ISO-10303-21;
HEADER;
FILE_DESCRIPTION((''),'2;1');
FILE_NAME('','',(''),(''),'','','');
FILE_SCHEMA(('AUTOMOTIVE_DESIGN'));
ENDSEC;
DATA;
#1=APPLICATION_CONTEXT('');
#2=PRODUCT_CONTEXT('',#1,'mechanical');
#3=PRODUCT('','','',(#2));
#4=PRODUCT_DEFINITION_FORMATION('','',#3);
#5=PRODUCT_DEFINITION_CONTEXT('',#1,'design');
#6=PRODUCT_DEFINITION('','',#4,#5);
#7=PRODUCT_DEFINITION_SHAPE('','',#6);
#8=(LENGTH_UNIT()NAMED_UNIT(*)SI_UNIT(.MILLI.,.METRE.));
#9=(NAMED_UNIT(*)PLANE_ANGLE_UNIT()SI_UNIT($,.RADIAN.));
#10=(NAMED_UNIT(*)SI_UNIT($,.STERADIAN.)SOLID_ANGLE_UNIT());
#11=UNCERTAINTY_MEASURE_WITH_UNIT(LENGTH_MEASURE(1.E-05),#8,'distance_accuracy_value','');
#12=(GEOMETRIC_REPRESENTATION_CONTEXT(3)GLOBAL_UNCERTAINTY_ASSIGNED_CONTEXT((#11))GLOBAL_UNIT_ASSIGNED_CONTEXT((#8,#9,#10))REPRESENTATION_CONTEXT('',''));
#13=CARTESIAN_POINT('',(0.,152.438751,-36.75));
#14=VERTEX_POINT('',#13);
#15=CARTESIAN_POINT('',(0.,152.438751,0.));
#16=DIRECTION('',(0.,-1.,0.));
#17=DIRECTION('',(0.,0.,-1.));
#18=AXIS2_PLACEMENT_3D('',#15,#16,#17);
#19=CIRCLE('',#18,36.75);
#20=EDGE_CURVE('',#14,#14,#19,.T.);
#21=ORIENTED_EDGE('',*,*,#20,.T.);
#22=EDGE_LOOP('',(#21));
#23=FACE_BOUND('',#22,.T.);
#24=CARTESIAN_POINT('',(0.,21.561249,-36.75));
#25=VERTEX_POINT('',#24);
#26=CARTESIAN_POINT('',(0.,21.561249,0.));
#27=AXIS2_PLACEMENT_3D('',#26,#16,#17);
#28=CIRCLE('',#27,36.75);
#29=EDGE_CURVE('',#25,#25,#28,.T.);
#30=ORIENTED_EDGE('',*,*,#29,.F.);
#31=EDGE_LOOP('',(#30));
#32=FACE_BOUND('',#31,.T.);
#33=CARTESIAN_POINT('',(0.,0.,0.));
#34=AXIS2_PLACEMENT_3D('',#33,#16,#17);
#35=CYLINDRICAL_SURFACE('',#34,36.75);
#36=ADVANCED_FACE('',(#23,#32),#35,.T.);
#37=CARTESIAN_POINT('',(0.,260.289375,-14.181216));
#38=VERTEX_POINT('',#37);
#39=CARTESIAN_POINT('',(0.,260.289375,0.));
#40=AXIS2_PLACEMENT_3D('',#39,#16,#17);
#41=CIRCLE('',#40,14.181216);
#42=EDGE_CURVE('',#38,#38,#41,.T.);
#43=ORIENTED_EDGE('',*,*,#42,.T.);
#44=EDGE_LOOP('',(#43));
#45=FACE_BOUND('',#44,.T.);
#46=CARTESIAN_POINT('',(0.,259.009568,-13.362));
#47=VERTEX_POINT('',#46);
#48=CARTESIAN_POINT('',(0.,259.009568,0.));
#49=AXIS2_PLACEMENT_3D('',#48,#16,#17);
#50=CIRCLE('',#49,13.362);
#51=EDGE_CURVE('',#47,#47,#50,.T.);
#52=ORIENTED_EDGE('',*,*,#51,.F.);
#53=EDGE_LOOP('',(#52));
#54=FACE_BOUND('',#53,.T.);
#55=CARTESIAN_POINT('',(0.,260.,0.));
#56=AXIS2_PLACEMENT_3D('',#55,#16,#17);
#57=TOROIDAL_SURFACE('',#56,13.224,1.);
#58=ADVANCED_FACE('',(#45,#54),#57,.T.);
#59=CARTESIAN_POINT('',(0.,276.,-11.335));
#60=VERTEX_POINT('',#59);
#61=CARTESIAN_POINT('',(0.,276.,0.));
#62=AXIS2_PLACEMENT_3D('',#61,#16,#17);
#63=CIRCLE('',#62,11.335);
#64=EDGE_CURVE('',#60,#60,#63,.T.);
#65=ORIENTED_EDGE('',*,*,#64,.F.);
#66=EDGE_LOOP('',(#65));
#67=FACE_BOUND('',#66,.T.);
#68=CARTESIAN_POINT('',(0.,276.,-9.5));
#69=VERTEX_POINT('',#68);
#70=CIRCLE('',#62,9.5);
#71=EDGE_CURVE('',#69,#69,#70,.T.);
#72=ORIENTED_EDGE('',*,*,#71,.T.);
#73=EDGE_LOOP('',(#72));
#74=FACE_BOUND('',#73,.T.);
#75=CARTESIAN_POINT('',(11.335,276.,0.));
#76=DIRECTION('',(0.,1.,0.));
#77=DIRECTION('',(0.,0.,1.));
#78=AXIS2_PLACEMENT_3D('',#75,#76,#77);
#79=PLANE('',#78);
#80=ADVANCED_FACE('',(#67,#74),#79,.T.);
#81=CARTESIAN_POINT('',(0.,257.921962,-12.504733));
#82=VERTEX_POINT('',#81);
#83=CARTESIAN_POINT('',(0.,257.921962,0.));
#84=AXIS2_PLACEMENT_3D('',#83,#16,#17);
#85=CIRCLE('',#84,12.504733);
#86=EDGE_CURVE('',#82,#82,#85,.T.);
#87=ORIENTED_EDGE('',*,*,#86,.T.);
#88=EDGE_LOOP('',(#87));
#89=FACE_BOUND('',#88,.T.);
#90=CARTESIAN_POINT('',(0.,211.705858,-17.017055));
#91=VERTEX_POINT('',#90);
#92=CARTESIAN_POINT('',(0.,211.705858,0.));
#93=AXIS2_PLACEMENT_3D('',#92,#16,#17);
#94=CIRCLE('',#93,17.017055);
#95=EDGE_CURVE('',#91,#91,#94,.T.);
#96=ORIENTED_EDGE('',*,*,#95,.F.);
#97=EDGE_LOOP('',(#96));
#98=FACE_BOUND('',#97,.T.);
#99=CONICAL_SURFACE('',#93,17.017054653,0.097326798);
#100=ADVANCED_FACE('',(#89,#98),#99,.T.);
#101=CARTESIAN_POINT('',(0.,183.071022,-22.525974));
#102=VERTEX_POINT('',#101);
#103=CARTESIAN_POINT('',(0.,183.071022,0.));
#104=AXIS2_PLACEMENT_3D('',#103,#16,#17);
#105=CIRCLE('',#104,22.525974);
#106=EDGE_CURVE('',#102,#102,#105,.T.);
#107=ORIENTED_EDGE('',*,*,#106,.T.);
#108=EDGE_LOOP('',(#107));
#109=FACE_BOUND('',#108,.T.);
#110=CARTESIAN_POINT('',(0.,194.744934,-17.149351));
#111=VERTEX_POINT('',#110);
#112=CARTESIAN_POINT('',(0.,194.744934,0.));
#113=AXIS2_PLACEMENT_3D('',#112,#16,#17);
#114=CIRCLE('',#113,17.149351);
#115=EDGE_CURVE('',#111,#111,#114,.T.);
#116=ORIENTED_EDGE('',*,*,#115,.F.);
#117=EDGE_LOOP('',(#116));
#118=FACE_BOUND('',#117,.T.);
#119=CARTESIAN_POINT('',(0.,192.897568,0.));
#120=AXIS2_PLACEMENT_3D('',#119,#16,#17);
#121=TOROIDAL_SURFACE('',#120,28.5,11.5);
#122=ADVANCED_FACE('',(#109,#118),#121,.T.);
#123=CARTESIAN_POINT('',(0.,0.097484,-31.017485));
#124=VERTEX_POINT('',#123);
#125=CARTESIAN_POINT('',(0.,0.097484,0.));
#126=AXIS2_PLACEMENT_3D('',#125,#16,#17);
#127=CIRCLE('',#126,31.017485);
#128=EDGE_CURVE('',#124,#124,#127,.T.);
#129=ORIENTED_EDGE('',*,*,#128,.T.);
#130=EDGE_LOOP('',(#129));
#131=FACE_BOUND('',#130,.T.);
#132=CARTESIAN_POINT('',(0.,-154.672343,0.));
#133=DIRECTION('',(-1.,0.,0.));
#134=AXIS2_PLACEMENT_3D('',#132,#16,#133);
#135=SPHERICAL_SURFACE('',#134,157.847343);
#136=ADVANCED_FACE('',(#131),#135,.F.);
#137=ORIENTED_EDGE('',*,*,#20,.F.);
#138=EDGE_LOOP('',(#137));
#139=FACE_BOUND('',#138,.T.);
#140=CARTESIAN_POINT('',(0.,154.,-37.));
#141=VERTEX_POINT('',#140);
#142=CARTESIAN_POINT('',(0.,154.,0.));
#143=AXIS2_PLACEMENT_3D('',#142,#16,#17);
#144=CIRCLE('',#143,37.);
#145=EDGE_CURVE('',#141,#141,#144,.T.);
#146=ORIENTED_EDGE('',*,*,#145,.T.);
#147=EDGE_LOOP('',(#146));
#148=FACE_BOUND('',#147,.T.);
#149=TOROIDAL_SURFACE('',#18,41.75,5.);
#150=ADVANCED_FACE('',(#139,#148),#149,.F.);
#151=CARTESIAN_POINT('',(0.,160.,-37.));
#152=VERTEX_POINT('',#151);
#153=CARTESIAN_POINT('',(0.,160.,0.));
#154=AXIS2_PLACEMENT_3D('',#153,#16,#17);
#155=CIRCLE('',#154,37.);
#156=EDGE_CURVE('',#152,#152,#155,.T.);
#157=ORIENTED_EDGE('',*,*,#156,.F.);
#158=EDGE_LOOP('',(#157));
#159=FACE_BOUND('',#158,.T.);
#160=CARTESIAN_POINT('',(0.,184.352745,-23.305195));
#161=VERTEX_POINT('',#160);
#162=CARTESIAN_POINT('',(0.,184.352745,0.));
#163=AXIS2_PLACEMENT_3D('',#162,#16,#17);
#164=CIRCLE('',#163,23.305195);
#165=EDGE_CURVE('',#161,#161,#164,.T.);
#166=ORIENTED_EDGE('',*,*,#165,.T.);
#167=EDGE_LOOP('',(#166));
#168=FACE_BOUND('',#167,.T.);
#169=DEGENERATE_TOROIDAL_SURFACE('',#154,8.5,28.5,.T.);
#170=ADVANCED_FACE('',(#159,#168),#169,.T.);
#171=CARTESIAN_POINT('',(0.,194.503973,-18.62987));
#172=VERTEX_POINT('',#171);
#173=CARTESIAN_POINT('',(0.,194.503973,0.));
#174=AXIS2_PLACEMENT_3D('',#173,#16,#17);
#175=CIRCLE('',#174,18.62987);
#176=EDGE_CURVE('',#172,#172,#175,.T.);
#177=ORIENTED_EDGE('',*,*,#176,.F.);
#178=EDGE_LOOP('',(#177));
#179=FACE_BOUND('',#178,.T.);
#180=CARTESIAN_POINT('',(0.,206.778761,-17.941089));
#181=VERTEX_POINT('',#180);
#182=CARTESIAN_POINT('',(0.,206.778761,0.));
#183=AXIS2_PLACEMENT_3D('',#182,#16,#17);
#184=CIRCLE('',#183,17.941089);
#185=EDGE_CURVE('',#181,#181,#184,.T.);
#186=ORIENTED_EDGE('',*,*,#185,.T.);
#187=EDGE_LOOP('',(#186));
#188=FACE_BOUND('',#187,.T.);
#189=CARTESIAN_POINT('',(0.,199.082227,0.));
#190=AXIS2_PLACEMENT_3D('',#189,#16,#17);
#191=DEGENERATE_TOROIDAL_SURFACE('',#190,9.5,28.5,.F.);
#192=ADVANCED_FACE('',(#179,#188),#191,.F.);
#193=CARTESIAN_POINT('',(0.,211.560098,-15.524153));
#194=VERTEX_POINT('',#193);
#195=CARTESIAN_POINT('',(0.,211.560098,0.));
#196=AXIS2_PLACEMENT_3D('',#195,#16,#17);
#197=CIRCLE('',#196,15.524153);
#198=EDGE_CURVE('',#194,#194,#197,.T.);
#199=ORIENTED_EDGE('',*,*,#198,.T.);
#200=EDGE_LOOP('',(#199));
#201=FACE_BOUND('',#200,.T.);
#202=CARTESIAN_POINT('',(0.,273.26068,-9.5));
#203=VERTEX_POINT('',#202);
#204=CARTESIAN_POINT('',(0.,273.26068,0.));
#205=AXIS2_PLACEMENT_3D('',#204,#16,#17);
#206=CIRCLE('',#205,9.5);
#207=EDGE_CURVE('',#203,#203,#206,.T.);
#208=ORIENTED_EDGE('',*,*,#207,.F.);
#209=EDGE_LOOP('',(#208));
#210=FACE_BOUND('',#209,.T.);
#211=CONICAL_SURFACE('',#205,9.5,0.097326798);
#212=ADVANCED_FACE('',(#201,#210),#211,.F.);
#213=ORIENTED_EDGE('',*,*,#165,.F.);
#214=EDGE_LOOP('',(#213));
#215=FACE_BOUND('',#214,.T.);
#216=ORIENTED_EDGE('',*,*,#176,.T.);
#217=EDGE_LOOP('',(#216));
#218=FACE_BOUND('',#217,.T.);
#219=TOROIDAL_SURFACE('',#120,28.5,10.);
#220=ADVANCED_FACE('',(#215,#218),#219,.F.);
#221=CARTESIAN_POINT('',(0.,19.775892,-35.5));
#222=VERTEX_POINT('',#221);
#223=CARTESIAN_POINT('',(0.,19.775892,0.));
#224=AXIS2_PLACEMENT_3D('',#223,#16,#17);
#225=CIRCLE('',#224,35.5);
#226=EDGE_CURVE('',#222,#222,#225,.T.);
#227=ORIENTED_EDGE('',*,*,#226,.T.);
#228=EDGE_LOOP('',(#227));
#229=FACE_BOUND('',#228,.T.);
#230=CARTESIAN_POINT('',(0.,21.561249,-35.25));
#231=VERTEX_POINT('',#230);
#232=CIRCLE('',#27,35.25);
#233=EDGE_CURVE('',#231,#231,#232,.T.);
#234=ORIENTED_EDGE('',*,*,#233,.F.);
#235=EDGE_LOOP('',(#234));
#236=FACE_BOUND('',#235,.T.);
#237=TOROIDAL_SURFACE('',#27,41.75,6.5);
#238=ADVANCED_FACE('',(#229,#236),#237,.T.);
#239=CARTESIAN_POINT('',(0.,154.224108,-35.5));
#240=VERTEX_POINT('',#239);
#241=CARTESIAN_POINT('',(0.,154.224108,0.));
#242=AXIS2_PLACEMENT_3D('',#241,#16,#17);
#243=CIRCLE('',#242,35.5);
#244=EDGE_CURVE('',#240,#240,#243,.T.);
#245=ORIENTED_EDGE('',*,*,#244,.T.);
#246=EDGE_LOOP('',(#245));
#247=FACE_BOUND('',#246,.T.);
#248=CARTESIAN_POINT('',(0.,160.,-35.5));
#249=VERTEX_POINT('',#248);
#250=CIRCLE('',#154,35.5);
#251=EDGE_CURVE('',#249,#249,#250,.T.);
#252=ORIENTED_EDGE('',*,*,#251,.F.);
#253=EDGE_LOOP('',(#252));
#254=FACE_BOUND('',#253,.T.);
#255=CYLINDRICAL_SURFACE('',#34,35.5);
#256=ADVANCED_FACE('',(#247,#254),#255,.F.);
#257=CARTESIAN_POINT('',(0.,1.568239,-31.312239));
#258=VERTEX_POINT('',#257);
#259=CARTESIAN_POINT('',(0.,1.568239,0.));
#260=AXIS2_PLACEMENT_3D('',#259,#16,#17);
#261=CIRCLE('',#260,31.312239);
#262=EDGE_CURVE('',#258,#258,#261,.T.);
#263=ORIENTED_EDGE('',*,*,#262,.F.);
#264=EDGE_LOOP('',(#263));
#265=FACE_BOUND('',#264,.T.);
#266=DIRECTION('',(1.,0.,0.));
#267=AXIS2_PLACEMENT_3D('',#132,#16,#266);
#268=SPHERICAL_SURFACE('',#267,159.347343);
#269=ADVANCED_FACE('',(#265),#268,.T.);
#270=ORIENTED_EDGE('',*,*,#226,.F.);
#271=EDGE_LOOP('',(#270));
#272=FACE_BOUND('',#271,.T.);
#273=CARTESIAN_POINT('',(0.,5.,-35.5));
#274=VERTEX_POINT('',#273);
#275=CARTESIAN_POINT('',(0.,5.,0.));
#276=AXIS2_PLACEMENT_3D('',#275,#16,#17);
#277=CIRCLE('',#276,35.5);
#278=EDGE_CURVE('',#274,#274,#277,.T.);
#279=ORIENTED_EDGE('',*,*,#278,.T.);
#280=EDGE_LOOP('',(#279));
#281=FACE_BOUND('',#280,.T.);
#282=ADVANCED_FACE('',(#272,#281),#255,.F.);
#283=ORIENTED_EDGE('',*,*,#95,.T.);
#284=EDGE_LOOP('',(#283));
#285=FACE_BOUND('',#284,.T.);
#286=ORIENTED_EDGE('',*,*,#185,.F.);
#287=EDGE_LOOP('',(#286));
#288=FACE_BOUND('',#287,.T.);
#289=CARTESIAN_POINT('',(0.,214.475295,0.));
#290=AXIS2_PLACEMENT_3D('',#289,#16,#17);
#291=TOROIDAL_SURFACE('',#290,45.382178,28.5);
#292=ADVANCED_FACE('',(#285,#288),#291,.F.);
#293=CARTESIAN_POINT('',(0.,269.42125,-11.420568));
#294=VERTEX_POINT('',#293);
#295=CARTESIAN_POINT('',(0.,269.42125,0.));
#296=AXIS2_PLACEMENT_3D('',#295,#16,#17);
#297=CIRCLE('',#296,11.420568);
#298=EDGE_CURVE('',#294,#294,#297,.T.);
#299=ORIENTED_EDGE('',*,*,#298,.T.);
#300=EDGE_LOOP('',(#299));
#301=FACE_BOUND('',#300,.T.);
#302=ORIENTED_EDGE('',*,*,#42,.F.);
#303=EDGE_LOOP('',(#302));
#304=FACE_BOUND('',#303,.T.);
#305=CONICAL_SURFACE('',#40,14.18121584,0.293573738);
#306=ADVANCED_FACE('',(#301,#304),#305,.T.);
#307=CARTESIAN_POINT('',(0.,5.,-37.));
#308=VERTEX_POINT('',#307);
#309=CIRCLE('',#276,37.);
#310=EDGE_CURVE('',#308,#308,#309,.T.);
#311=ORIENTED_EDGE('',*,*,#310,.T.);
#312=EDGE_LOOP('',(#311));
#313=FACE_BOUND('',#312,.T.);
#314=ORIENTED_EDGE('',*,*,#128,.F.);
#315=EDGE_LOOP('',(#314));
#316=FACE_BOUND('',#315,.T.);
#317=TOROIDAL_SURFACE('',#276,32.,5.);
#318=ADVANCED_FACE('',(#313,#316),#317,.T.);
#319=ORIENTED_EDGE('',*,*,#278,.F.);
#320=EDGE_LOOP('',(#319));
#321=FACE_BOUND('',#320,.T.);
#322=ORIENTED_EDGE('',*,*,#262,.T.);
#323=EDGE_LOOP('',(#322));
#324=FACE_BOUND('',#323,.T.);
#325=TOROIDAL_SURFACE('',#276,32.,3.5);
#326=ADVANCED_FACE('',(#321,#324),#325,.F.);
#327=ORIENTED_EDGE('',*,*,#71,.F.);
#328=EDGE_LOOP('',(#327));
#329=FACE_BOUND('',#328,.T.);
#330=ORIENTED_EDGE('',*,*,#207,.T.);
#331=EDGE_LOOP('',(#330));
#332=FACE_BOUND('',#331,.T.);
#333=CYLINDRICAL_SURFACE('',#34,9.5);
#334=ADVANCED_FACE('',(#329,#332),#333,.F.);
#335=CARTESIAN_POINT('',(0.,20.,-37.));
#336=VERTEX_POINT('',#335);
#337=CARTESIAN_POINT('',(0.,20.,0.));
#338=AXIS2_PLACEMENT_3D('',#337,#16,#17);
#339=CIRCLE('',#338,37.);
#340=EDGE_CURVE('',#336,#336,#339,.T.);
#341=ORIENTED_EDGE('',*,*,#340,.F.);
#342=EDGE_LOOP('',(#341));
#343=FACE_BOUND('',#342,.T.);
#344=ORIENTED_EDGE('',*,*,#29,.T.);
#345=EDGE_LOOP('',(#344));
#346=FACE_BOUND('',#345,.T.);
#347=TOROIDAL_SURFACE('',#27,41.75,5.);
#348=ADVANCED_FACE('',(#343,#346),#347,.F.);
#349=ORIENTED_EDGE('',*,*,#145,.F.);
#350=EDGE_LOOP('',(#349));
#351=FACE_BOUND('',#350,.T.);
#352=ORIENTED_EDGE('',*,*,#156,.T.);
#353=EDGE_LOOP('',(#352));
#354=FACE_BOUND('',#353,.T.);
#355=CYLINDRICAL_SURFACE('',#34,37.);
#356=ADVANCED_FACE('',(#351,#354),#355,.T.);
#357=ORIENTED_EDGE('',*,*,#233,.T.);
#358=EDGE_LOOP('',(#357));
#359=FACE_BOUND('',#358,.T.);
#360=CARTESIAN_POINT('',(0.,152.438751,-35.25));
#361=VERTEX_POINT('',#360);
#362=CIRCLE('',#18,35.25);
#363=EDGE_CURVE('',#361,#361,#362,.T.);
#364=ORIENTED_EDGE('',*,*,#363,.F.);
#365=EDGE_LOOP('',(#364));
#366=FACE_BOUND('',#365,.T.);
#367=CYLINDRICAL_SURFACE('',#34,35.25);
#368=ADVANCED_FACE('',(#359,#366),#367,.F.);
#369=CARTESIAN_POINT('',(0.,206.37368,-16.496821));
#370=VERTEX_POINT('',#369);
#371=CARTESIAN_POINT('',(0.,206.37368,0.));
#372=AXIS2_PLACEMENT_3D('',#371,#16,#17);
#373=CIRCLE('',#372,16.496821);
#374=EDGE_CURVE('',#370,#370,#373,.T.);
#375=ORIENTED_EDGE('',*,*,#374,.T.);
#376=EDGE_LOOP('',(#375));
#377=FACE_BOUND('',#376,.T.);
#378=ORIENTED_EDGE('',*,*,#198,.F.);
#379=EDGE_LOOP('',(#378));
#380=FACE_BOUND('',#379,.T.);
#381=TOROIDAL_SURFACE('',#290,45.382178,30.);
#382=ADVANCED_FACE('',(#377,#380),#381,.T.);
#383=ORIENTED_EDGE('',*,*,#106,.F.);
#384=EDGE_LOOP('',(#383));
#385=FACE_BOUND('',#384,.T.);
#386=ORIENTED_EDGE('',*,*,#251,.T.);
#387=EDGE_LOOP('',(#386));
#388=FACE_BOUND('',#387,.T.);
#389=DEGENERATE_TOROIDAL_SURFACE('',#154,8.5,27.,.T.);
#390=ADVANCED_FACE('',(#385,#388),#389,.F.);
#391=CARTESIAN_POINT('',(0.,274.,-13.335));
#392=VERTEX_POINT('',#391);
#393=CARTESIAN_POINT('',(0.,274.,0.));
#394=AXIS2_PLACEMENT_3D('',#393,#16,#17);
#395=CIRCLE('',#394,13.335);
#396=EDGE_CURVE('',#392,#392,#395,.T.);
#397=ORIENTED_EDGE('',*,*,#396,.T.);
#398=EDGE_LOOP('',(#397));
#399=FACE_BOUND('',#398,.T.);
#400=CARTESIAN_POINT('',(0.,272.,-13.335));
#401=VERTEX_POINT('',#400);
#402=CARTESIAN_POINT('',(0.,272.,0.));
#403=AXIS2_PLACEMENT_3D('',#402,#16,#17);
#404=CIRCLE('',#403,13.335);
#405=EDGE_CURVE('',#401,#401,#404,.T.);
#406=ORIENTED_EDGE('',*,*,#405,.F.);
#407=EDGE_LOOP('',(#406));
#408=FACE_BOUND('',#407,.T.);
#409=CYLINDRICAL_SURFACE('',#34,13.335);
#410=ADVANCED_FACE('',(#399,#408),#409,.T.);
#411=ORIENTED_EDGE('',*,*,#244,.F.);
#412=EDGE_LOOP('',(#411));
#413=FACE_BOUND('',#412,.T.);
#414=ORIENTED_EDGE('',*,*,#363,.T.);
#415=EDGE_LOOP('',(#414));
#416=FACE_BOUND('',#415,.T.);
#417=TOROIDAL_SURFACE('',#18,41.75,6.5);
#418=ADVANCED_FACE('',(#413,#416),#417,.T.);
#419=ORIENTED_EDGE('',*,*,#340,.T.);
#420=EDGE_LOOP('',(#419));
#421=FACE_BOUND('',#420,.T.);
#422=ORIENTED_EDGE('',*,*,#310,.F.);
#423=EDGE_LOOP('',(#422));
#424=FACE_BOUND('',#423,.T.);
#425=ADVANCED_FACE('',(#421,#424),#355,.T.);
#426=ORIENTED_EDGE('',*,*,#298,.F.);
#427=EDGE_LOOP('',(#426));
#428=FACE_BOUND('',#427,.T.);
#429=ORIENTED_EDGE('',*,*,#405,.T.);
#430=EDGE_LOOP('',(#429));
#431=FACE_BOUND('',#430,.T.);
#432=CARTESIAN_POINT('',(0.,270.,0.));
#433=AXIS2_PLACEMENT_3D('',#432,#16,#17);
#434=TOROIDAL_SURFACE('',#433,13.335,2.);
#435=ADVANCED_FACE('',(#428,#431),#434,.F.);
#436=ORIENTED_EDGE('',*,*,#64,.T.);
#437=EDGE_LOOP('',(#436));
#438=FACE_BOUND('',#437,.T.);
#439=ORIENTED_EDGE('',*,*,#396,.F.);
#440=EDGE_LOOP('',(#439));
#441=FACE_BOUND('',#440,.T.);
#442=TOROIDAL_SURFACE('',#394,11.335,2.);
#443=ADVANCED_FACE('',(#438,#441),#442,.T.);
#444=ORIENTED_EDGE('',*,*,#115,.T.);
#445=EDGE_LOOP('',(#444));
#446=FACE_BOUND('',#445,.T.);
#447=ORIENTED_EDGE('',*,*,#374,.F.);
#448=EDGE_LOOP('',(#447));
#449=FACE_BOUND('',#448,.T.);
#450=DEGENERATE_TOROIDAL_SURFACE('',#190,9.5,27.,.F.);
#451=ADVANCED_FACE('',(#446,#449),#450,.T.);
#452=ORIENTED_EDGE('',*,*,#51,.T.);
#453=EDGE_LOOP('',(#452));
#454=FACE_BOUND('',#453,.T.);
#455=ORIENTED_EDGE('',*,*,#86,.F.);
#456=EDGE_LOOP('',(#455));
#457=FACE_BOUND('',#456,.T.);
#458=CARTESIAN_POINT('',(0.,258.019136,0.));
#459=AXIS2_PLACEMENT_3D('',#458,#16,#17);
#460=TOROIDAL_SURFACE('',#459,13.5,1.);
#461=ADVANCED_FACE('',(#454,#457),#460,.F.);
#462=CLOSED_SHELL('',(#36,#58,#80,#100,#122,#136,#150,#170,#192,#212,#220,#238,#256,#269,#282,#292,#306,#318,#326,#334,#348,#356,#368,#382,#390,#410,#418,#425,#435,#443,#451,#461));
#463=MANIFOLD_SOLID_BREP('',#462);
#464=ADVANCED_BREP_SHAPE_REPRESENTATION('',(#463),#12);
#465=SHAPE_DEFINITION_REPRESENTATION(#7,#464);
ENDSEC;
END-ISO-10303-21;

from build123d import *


with BuildPart() as part:
    # Sketch1 → Revolve1 (revolve)
    with BuildSketch(Plane.XY, mode=Mode.PRIVATE) as revolve1_sk:
        with BuildLine():
            Line((37, 5), (37, 20))
            ThreePointArc((37, 20), (36.812895585, 20.770680085), (36.75, 21.5612495))
            Line((36.75, 21.5612495), (36.75, 152.4387505))
            ThreePointArc((36.75, 152.4387505), (36.812895585, 153.229319915), (37, 154))
            Line((37, 154), (37, 160))
            ThreePointArc((37, 160), (33.341477935, 173.969644735), (23.305194805, 184.352745364))
            ThreePointArc((23.305194805, 184.352745364), (19.417053165, 188.714258988), (18.62987013, 194.503973088))
            ThreePointArc((18.62987013, 194.503973088), (18.955236373, 200.678949299), (17.941088983, 206.778760727))
            ThreePointArc((17.941088983, 206.778760727), (17.370530304, 209.221953369), (17.017054653, 211.705858048))
            Line((17.017054653, 211.705858048), (12.504732515, 257.921962326))
            ThreePointArc((12.504732515, 257.921962326), (12.7146369, 258.638170922), (13.362, 259.009567771))
            ThreePointArc((13.362, 259.009567771), (14.066229784, 259.460881283), (14.18121584, 260.289374904))
            Line((14.18121584, 260.289374904), (11.420568319, 269.421250192))
            ThreePointArc((11.420568319, 269.421250192), (11.729151374, 271.192161982), (13.335, 272))
            Line((13.335, 272), (13.335, 274))
            ThreePointArc((13.335, 274), (12.749213562, 275.414213562), (11.335, 276))
            Line((11.335, 276), (9.5, 276))
            Line((9.5, 276), (9.5, 273.260680415))
            Line((9.5, 273.260680415), (15.524153426, 211.560098223))
            ThreePointArc((15.524153426, 211.560098223), (15.896233059, 208.945461719), (16.496821141, 206.373679991))
            ThreePointArc((16.496821141, 206.373679991), (17.457592354, 200.594911269), (17.149350649, 194.744933807))
            ThreePointArc((17.149350649, 194.744933807), (18.05461114, 188.086762591), (22.525974026, 183.071021924))
            ThreePointArc((22.525974026, 183.071021924), (32.034031727, 173.234400275), (35.5, 160))
            Line((35.5, 160), (35.5, 154.224107608))
            ThreePointArc((35.5, 154.224107608), (35.312803405, 153.340138319), (35.25, 152.4387505))
            Line((35.25, 152.4387505), (35.25, 21.5612495))
            ThreePointArc((35.25, 21.5612495), (35.312803405, 20.659861681), (35.5, 19.775892392))
            Line((35.5, 19.775892392), (35.5, 5))
            ThreePointArc((35.5, 5), (34.2184271, 2.292864761), (31.312239314, 1.568238756))
            ThreePointArc((31.312239314, 1.568238756), (15.73299317, 3.896407535), (0, 4.675))
            Line((0, 4.675), (0, 3.175))
            ThreePointArc((0, 3.175), (15.584892239, 2.403736736), (31.017484734, 0.097483937))
            ThreePointArc((31.017484734, 0.097483937), (35.169181572, 1.132663945), (37, 5))
        make_face()
    revolve(revolve1_sk.sketch.rotate(Axis((0, 0, 0), (0, 1, 0)), 90), axis=Axis((0, 0, 0), (0, 1, 0)))


solid = part.part
